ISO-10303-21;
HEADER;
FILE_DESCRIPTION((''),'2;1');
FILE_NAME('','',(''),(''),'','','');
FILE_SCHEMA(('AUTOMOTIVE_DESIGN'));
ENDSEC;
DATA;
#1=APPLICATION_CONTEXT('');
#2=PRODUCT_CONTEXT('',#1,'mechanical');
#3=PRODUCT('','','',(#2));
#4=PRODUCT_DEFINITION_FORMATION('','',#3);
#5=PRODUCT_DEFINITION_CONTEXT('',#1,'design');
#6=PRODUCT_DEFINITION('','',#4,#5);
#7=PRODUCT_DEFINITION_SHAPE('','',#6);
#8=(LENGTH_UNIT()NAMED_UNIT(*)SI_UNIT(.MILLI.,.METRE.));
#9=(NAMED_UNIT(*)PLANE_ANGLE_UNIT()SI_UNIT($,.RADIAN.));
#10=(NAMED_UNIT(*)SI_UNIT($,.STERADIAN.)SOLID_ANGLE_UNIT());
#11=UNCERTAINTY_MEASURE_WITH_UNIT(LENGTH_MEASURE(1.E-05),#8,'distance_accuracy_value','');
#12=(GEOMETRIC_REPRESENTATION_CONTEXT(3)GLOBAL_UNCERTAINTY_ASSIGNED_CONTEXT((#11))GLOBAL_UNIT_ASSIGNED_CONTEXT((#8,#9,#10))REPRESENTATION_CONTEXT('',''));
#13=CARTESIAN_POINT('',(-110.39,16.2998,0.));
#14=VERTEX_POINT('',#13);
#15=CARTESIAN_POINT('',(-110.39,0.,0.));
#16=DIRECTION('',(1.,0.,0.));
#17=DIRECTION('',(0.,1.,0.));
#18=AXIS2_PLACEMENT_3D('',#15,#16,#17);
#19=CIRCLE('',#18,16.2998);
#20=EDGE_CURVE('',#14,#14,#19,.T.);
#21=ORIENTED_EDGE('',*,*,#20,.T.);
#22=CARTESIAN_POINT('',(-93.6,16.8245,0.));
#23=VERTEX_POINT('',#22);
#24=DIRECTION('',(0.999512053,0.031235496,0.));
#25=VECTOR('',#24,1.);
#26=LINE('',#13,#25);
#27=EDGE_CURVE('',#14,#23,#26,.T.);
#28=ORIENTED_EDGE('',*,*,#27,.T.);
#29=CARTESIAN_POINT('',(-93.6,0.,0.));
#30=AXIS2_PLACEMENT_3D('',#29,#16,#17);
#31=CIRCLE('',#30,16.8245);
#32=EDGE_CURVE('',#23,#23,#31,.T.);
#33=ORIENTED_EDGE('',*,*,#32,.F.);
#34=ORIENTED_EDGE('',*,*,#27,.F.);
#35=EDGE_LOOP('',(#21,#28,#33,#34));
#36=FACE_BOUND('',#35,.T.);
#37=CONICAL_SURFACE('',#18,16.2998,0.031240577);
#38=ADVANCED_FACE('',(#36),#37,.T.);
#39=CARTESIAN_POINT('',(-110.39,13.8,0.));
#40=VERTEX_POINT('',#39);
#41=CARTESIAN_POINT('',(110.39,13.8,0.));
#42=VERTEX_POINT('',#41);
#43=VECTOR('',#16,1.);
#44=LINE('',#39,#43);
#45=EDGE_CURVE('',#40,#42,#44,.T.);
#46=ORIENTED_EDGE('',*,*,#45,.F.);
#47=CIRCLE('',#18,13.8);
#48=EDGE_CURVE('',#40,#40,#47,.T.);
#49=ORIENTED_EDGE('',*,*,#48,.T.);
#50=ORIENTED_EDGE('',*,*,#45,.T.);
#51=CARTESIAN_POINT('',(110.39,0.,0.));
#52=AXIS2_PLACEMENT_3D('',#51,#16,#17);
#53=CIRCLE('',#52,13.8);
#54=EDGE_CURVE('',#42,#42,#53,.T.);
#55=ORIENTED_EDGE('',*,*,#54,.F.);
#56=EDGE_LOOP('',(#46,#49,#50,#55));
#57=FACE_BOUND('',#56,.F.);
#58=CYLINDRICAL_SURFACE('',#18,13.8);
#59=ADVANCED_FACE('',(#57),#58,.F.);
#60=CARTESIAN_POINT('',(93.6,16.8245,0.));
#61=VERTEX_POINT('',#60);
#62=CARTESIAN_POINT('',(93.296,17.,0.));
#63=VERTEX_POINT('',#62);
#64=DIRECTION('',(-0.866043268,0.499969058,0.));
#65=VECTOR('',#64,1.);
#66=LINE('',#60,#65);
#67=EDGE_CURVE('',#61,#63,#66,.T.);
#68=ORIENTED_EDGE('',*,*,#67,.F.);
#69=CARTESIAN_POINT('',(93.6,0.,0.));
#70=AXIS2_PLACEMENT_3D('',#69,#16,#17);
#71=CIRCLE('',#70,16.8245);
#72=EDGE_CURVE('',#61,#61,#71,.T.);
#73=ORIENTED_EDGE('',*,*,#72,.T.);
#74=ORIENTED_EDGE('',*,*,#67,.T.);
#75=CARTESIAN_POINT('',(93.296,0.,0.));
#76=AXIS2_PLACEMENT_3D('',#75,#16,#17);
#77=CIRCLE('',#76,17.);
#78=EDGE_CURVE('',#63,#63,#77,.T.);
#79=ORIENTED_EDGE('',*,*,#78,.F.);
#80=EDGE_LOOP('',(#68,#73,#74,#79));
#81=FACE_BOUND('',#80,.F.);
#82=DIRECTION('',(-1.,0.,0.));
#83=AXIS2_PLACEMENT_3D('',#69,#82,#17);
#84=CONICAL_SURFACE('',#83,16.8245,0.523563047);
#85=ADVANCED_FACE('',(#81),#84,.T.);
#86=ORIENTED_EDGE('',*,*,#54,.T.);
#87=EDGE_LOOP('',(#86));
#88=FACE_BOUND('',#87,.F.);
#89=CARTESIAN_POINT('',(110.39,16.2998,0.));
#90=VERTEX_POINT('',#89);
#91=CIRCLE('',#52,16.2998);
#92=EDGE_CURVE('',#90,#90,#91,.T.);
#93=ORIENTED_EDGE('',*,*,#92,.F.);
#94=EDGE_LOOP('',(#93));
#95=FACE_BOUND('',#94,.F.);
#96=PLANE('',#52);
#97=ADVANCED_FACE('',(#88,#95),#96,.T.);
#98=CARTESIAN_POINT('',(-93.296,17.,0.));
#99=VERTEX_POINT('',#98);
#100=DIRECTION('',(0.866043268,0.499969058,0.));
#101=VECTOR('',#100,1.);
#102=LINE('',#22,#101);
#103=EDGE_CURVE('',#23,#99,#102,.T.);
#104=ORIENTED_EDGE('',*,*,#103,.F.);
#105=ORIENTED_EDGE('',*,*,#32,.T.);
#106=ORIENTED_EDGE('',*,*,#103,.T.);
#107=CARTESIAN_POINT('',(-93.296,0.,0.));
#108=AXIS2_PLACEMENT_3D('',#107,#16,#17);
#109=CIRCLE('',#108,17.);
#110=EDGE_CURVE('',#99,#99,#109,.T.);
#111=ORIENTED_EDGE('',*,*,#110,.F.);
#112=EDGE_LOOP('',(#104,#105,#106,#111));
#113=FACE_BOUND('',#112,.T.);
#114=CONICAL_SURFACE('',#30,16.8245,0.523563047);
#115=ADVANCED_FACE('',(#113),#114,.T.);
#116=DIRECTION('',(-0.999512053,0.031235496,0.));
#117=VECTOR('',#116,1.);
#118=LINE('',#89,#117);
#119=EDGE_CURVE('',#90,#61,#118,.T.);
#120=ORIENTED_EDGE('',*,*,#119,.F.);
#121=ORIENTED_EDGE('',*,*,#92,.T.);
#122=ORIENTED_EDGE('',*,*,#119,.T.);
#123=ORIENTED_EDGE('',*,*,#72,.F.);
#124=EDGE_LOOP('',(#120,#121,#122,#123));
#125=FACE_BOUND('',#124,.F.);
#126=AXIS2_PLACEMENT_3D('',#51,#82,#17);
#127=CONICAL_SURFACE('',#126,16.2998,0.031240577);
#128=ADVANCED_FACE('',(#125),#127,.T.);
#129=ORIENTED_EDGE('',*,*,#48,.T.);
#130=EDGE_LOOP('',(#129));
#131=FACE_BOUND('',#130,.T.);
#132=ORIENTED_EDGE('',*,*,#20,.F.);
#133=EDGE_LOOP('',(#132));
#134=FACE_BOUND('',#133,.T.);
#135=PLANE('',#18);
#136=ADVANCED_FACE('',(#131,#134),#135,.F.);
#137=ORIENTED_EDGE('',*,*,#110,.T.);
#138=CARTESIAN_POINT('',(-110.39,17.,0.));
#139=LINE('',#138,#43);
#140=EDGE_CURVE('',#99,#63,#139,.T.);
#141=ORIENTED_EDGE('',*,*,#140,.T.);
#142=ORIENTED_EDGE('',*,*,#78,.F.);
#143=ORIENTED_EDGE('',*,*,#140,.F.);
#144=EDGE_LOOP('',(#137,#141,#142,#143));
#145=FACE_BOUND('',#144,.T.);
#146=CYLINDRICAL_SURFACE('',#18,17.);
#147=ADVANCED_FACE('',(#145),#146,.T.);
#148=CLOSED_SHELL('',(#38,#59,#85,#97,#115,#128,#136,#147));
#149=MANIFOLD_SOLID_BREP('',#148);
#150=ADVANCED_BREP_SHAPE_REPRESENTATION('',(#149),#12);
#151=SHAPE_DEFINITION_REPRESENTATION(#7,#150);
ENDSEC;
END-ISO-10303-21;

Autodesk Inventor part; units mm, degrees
ref_plane "YZ Plane" through (0, 0, 0) normal (1, 0, 0) x (0, 1, 0)
ref_plane "XZ Plane" through (0, 0, 0) normal (0, 1, 0) x (-1, 0, 0)
ref_plane "XY Plane" through (0, 0, 0) normal (0, 0, 1) x (1, 0, 0)
sketch "スケッチ1" plane through (0, 0, 0) normal (0, 0, 1) x (1, 0, 0)
  line L0 (-110.39, 0) -> (110.39, 0)
  line L1 (-110.39, 0) -> (-110.39, 17)
  line L2 (-110.39, 17) -> (110.39, 17)
  line L3 (110.39, 0) -> (110.39, 17)
  line L4 (-110.39, 13.8) -> (110.39, 13.8)
  point P0 (0, 0)
  point P1 (0, 0)
  dimension "d0" = 34
  dimension "d1" = 3.2
  dimension "d2" = 220.78
revolve "回転1" add sketch "スケッチ1" angle 360 about axis through (-110.39, 0, 0) along (1, 0, 0) contours L1 L2 L3 L4
sketch "スケッチ2" plane through (0, 0, 0) normal (0, 0, 1) x (1, 0, 0)
  line L0 (-110.39, 17) -> (110.39, 17) projected
  line L1 (-110.39, -17) -> (-110.39, 17) projected
  line L2 (-110.39, 16.2998) -> (-93.6, 16.8245)
  line L3 (-93.6, 16.8245) -> (-93.296, 17)
  line L4 (-110.39, 0) -> (57.6085, 0)
  line L5 (-100, 16.6245) -> (-100, 0) construction
  point P0 (0, 0)
  dimension "d4" = 33.249
  dimension "d5" = 1.79
  dimension "d6" = 10.39
  dimension "d9" = 30
  dimension "d10" = 6.4
revolve "回転2" cut sketch "スケッチ2" angle 360 about axis through (-110.39, 0, 0) along (1, 0, 0)
thread "ねじ1【手修正】" size "R 1" standard "JIS Taper" length 22.6
mirror "ミラー1" about plane through (0, 0, 0) normal (1, 0, 0) of "回転2"
thread "ねじ2【手修正】" size "R 1" standard "ISO Taper" length 23.2
ref_plane "作業平面1" through (-100, 0, 0) normal (-1, 0, 0) x (0, 0, 1)
ref_plane "作業平面2" through (100, 0, 0) normal (1, 0, 0) x (0, 0, -1)
equation "\"d0\" = DIA"
equation "\"d1\" = T1"
equation "\"d2\" = length + 2 * L1"
equation "\"d4\" = DIA_1"
equation "\"d6\" = L1"
equation "\"d10\" = L2"
equation "\"DIA\" = 34"
equation "\"T1\" = 3.2"
equation "\"DIA_1\" = 33.249"
equation "\"L1\" = 10.39"
equation "\"L2\" = 6.4"
equation "\"length\" = 200"
equation "\"d16\" = -L1"
equation "\"d17\" = -L1"
properties part number "Threaded pipe_SGP._1ipt" material "SS400"
